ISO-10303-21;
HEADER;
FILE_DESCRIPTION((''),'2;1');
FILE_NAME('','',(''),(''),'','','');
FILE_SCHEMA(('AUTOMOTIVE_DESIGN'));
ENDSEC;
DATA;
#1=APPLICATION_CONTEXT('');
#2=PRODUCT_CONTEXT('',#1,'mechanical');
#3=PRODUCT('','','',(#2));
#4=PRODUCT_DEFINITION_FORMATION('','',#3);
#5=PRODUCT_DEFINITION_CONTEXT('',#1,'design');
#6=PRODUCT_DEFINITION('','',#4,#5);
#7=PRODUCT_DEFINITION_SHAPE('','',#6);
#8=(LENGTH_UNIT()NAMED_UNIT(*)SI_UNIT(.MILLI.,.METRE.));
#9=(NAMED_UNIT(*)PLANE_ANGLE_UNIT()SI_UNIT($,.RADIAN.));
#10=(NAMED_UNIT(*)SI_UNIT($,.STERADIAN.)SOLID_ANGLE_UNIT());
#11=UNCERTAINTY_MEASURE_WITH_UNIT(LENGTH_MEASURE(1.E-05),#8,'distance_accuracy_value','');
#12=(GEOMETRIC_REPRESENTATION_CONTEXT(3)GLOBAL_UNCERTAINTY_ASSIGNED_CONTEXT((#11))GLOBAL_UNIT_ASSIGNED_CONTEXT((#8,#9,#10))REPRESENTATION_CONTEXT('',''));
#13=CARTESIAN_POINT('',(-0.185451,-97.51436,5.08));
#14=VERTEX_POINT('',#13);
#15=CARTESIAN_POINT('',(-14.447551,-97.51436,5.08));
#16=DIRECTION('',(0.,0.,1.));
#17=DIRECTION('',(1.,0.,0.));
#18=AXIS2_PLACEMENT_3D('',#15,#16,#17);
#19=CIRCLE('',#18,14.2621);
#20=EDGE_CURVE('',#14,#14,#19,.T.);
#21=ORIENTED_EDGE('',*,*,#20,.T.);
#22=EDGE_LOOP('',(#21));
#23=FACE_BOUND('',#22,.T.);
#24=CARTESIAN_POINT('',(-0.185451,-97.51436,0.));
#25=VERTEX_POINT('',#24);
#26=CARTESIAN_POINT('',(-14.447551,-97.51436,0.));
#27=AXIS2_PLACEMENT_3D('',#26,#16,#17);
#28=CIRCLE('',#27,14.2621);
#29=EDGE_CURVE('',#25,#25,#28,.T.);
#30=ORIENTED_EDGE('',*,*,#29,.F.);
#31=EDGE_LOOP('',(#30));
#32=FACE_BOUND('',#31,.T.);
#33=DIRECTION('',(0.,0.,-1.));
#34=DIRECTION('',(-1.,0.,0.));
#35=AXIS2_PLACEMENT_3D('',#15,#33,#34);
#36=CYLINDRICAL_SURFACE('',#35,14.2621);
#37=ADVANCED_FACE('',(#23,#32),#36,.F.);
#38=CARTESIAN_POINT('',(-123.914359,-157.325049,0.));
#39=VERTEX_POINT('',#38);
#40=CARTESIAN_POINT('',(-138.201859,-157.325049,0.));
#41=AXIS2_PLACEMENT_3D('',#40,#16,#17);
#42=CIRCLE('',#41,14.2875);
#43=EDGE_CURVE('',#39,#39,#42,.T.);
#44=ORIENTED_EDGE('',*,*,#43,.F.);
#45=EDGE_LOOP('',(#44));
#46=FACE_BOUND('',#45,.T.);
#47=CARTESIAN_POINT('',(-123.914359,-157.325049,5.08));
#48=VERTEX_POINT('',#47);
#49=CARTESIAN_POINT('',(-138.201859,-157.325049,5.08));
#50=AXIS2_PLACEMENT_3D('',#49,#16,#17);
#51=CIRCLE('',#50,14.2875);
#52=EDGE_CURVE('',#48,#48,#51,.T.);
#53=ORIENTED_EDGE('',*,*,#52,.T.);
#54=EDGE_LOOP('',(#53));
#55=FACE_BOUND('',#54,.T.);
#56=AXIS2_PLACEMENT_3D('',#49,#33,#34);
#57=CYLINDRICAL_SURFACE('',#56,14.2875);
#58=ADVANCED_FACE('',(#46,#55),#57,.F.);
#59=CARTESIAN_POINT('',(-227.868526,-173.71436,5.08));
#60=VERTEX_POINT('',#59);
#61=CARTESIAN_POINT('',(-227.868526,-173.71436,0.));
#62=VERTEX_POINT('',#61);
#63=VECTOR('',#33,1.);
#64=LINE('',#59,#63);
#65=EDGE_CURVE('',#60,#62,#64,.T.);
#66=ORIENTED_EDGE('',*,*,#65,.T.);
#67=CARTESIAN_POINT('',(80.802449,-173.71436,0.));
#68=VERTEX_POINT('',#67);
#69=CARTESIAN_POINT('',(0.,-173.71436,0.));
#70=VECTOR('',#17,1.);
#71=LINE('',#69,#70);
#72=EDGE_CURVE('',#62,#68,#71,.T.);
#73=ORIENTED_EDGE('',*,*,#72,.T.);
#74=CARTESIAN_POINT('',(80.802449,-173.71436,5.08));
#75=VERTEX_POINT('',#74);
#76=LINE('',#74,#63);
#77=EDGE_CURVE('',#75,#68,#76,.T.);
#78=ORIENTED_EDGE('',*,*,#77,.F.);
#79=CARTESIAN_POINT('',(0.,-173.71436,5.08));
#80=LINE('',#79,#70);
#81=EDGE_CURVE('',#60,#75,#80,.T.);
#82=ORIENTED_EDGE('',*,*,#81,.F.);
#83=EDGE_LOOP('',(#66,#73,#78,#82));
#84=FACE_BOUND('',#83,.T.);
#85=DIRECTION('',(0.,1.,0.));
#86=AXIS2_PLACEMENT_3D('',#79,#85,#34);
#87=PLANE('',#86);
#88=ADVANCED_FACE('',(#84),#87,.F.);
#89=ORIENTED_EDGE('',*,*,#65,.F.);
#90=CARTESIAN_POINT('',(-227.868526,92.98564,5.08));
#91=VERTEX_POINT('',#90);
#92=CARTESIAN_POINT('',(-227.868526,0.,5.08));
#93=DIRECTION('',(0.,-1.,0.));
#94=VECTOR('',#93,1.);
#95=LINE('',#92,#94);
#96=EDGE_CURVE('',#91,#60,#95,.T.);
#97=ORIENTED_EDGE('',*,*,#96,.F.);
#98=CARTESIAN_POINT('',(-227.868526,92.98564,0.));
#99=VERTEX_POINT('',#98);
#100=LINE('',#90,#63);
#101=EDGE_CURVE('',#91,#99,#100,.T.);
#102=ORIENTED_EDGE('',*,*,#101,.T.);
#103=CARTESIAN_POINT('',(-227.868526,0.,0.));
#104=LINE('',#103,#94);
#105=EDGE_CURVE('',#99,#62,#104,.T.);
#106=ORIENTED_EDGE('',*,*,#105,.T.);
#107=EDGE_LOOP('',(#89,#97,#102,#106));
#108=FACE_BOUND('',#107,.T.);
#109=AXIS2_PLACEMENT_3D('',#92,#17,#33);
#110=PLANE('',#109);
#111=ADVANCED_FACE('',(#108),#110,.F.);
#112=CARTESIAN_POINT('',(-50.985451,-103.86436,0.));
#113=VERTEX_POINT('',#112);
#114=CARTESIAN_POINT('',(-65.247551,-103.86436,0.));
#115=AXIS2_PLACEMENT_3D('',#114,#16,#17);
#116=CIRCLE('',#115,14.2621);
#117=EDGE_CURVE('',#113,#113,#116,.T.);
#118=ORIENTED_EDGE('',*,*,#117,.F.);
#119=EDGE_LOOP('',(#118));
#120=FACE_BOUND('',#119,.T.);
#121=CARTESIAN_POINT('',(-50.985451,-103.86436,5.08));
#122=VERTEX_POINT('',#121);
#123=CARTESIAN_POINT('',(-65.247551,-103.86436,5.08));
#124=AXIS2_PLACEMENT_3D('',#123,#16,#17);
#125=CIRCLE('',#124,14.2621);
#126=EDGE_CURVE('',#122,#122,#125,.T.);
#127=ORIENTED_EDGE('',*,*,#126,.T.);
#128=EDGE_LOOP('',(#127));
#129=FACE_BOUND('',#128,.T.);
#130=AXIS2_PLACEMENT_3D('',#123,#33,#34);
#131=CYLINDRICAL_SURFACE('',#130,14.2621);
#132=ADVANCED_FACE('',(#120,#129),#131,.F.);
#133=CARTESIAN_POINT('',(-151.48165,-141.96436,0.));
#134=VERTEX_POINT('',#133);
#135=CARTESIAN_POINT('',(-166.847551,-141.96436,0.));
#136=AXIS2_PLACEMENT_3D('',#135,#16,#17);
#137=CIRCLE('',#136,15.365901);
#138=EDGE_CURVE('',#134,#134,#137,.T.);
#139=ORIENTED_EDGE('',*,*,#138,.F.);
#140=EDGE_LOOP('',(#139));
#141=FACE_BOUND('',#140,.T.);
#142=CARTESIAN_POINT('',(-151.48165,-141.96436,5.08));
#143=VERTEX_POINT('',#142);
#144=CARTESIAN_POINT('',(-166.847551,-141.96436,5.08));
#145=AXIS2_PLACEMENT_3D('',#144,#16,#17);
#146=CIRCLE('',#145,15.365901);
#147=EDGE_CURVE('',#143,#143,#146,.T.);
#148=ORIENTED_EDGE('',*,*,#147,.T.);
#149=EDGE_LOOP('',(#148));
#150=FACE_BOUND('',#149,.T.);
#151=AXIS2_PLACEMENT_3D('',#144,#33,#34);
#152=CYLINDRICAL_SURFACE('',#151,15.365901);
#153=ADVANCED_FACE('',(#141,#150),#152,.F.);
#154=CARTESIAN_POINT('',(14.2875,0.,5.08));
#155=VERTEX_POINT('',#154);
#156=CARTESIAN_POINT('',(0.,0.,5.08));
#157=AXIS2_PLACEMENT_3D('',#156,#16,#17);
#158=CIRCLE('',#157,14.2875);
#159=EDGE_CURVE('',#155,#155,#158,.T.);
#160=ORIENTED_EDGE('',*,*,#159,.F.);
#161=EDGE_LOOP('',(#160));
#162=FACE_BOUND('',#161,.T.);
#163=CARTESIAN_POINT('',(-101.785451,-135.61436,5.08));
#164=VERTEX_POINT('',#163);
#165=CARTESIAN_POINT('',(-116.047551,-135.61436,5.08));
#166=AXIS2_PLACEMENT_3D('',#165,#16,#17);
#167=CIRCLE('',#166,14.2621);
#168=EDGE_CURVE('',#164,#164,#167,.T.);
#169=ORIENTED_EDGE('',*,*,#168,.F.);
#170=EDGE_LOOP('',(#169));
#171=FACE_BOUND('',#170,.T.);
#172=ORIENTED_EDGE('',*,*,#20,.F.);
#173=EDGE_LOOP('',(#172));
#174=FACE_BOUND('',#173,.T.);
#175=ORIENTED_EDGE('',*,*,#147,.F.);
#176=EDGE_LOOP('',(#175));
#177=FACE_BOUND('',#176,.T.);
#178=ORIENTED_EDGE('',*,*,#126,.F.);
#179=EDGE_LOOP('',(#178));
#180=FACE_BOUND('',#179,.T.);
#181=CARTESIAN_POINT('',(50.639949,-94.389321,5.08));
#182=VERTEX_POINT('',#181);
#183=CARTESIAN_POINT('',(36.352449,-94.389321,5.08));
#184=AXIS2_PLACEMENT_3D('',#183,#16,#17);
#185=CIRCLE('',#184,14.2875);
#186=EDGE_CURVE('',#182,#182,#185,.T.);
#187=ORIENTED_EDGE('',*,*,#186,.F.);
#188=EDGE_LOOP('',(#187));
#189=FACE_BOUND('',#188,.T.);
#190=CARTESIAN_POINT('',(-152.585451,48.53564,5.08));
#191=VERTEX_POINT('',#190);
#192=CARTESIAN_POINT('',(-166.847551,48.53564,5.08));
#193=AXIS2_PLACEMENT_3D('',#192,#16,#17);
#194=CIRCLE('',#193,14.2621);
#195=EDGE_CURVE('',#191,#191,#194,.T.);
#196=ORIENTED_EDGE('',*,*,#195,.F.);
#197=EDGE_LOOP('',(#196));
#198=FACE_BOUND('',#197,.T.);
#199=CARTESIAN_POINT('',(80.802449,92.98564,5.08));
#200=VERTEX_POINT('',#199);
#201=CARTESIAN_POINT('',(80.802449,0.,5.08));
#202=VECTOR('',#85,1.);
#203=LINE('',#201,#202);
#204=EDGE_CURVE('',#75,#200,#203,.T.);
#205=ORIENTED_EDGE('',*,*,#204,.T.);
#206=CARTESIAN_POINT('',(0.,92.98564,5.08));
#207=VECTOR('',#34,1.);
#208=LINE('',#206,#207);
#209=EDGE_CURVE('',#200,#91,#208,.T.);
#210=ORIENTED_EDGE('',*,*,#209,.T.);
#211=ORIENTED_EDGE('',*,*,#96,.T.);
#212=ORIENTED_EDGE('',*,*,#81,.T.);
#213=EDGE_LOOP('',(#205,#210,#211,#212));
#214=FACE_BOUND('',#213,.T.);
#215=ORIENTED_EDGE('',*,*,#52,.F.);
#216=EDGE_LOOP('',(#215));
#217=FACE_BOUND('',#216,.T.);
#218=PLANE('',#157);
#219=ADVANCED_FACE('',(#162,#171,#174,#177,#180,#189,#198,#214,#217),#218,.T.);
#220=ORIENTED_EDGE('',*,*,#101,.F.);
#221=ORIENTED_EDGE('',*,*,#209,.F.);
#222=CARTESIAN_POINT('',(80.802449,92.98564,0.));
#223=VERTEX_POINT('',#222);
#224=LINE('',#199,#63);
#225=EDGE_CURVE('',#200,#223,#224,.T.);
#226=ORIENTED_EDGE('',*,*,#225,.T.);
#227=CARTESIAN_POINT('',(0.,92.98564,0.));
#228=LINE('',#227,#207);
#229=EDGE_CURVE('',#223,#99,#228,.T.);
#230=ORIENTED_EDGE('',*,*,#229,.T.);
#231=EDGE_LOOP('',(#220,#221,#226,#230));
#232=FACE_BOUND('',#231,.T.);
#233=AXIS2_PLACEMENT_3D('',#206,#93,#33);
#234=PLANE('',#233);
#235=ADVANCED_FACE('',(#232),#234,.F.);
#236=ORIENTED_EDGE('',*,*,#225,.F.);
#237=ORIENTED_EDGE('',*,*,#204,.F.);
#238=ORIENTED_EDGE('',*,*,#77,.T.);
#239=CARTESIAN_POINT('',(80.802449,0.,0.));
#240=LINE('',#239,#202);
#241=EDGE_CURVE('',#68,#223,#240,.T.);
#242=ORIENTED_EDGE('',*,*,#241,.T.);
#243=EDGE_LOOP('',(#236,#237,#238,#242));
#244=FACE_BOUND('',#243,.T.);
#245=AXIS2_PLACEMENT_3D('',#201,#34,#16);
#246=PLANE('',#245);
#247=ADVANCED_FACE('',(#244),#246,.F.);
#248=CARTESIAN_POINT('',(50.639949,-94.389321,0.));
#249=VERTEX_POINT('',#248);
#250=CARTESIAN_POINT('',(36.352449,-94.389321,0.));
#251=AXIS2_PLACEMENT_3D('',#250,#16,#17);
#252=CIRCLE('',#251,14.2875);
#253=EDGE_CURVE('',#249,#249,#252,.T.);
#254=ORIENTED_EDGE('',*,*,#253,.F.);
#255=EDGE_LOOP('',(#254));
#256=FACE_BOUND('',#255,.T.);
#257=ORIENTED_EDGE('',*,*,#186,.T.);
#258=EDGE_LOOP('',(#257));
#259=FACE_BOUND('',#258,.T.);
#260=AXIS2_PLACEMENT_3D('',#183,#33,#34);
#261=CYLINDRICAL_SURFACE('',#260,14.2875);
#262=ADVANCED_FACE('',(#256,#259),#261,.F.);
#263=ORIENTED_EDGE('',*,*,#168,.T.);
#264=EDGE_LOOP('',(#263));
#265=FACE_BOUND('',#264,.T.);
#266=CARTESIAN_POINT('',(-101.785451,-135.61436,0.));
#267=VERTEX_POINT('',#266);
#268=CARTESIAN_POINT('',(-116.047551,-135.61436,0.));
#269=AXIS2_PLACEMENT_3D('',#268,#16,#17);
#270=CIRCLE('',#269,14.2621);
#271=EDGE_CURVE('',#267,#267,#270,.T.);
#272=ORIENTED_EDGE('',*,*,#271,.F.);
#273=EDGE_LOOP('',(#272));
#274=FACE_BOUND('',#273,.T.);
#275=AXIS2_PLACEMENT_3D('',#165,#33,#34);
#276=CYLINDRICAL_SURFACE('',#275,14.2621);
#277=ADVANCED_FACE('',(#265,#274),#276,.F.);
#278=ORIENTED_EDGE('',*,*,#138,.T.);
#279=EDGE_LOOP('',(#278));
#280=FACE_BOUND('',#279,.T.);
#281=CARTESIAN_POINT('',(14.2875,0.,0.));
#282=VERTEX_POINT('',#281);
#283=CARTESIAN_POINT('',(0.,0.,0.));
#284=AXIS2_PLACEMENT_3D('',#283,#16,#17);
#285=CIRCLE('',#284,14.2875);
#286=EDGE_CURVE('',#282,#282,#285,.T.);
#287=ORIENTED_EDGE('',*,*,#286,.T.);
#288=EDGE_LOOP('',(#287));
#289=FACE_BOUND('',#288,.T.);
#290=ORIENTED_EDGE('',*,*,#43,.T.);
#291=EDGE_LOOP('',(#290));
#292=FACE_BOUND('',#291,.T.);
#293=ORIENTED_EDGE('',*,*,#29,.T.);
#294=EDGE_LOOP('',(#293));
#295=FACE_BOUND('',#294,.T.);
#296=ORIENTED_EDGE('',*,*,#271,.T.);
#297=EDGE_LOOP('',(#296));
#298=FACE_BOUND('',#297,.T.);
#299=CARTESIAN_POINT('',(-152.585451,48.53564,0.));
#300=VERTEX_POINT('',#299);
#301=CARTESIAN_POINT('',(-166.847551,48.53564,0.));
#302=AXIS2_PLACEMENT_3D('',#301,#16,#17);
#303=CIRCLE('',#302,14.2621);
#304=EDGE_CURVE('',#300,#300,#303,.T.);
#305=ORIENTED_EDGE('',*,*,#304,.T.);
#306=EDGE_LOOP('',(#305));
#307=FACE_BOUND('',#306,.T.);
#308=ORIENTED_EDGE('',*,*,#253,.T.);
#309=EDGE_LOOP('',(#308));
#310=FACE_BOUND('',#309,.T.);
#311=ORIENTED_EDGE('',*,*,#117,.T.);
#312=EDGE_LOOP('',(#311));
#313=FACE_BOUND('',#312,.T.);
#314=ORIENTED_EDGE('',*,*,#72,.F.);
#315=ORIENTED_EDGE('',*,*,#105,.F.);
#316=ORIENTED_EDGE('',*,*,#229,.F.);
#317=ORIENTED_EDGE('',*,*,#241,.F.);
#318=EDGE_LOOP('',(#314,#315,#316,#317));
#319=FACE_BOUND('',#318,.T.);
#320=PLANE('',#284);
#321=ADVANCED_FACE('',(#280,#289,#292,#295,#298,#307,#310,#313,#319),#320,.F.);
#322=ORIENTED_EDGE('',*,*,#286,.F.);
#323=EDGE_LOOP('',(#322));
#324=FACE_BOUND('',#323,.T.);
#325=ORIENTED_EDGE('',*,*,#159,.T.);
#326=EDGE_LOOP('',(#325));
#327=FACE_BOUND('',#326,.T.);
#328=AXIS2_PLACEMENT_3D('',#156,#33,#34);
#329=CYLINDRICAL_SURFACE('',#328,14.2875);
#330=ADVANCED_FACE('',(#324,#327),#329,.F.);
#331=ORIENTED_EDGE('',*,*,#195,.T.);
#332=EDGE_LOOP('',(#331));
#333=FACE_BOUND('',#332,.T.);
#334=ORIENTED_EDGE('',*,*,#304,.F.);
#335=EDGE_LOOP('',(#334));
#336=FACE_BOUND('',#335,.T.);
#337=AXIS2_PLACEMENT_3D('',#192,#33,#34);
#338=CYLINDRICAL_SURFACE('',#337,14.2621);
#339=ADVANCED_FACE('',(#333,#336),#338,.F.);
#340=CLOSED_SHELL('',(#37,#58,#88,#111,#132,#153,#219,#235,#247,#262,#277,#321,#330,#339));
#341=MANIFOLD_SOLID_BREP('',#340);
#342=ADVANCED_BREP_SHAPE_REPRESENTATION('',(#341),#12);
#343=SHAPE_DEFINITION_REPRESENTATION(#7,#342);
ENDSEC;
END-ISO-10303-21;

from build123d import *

# Parameters (mm, degrees)
SKETCH1_W           = 308.670974492
SKETCH1_H           = 266.7
SKETCH1_R           = 14.2875
SKETCH1_R_2         = 14.2621
SKETCH1_R_3         = 15.365901376
BOSS_EXTRUDE1_DEPTH = 5.08


with BuildPart() as part:
    # Sketch1 → Boss-Extrude1 (new body)
    with BuildSketch(Plane.XY):
        with Locations((-73.533038571, -40.364359579)):
            Rectangle(SKETCH1_W, SKETCH1_H)
        Circle(SKETCH1_R, mode=Mode.SUBTRACT)
        with Locations((-138.201859455, -157.325049094)):
            Circle(SKETCH1_R, mode=Mode.SUBTRACT)
        with Locations((-166.847551324, 48.535640421)):
            Circle(SKETCH1_R_2, mode=Mode.SUBTRACT)
        with Locations((-166.847551324, -141.964359579)):
            Circle(SKETCH1_R_3, mode=Mode.SUBTRACT)
        with Locations((-116.047551324, -135.614359579)):
            Circle(SKETCH1_R_2, mode=Mode.SUBTRACT)
        with Locations((-65.247551325, -103.864359579)):
            Circle(SKETCH1_R_2, mode=Mode.SUBTRACT)
        with Locations((-14.447551325, -97.514359579)):
            Circle(SKETCH1_R_2, mode=Mode.SUBTRACT)
        with Locations((36.352448675, -94.389320601)):
            Circle(SKETCH1_R, mode=Mode.SUBTRACT)
    extrude(amount=BOSS_EXTRUDE1_DEPTH)


solid = part.part
